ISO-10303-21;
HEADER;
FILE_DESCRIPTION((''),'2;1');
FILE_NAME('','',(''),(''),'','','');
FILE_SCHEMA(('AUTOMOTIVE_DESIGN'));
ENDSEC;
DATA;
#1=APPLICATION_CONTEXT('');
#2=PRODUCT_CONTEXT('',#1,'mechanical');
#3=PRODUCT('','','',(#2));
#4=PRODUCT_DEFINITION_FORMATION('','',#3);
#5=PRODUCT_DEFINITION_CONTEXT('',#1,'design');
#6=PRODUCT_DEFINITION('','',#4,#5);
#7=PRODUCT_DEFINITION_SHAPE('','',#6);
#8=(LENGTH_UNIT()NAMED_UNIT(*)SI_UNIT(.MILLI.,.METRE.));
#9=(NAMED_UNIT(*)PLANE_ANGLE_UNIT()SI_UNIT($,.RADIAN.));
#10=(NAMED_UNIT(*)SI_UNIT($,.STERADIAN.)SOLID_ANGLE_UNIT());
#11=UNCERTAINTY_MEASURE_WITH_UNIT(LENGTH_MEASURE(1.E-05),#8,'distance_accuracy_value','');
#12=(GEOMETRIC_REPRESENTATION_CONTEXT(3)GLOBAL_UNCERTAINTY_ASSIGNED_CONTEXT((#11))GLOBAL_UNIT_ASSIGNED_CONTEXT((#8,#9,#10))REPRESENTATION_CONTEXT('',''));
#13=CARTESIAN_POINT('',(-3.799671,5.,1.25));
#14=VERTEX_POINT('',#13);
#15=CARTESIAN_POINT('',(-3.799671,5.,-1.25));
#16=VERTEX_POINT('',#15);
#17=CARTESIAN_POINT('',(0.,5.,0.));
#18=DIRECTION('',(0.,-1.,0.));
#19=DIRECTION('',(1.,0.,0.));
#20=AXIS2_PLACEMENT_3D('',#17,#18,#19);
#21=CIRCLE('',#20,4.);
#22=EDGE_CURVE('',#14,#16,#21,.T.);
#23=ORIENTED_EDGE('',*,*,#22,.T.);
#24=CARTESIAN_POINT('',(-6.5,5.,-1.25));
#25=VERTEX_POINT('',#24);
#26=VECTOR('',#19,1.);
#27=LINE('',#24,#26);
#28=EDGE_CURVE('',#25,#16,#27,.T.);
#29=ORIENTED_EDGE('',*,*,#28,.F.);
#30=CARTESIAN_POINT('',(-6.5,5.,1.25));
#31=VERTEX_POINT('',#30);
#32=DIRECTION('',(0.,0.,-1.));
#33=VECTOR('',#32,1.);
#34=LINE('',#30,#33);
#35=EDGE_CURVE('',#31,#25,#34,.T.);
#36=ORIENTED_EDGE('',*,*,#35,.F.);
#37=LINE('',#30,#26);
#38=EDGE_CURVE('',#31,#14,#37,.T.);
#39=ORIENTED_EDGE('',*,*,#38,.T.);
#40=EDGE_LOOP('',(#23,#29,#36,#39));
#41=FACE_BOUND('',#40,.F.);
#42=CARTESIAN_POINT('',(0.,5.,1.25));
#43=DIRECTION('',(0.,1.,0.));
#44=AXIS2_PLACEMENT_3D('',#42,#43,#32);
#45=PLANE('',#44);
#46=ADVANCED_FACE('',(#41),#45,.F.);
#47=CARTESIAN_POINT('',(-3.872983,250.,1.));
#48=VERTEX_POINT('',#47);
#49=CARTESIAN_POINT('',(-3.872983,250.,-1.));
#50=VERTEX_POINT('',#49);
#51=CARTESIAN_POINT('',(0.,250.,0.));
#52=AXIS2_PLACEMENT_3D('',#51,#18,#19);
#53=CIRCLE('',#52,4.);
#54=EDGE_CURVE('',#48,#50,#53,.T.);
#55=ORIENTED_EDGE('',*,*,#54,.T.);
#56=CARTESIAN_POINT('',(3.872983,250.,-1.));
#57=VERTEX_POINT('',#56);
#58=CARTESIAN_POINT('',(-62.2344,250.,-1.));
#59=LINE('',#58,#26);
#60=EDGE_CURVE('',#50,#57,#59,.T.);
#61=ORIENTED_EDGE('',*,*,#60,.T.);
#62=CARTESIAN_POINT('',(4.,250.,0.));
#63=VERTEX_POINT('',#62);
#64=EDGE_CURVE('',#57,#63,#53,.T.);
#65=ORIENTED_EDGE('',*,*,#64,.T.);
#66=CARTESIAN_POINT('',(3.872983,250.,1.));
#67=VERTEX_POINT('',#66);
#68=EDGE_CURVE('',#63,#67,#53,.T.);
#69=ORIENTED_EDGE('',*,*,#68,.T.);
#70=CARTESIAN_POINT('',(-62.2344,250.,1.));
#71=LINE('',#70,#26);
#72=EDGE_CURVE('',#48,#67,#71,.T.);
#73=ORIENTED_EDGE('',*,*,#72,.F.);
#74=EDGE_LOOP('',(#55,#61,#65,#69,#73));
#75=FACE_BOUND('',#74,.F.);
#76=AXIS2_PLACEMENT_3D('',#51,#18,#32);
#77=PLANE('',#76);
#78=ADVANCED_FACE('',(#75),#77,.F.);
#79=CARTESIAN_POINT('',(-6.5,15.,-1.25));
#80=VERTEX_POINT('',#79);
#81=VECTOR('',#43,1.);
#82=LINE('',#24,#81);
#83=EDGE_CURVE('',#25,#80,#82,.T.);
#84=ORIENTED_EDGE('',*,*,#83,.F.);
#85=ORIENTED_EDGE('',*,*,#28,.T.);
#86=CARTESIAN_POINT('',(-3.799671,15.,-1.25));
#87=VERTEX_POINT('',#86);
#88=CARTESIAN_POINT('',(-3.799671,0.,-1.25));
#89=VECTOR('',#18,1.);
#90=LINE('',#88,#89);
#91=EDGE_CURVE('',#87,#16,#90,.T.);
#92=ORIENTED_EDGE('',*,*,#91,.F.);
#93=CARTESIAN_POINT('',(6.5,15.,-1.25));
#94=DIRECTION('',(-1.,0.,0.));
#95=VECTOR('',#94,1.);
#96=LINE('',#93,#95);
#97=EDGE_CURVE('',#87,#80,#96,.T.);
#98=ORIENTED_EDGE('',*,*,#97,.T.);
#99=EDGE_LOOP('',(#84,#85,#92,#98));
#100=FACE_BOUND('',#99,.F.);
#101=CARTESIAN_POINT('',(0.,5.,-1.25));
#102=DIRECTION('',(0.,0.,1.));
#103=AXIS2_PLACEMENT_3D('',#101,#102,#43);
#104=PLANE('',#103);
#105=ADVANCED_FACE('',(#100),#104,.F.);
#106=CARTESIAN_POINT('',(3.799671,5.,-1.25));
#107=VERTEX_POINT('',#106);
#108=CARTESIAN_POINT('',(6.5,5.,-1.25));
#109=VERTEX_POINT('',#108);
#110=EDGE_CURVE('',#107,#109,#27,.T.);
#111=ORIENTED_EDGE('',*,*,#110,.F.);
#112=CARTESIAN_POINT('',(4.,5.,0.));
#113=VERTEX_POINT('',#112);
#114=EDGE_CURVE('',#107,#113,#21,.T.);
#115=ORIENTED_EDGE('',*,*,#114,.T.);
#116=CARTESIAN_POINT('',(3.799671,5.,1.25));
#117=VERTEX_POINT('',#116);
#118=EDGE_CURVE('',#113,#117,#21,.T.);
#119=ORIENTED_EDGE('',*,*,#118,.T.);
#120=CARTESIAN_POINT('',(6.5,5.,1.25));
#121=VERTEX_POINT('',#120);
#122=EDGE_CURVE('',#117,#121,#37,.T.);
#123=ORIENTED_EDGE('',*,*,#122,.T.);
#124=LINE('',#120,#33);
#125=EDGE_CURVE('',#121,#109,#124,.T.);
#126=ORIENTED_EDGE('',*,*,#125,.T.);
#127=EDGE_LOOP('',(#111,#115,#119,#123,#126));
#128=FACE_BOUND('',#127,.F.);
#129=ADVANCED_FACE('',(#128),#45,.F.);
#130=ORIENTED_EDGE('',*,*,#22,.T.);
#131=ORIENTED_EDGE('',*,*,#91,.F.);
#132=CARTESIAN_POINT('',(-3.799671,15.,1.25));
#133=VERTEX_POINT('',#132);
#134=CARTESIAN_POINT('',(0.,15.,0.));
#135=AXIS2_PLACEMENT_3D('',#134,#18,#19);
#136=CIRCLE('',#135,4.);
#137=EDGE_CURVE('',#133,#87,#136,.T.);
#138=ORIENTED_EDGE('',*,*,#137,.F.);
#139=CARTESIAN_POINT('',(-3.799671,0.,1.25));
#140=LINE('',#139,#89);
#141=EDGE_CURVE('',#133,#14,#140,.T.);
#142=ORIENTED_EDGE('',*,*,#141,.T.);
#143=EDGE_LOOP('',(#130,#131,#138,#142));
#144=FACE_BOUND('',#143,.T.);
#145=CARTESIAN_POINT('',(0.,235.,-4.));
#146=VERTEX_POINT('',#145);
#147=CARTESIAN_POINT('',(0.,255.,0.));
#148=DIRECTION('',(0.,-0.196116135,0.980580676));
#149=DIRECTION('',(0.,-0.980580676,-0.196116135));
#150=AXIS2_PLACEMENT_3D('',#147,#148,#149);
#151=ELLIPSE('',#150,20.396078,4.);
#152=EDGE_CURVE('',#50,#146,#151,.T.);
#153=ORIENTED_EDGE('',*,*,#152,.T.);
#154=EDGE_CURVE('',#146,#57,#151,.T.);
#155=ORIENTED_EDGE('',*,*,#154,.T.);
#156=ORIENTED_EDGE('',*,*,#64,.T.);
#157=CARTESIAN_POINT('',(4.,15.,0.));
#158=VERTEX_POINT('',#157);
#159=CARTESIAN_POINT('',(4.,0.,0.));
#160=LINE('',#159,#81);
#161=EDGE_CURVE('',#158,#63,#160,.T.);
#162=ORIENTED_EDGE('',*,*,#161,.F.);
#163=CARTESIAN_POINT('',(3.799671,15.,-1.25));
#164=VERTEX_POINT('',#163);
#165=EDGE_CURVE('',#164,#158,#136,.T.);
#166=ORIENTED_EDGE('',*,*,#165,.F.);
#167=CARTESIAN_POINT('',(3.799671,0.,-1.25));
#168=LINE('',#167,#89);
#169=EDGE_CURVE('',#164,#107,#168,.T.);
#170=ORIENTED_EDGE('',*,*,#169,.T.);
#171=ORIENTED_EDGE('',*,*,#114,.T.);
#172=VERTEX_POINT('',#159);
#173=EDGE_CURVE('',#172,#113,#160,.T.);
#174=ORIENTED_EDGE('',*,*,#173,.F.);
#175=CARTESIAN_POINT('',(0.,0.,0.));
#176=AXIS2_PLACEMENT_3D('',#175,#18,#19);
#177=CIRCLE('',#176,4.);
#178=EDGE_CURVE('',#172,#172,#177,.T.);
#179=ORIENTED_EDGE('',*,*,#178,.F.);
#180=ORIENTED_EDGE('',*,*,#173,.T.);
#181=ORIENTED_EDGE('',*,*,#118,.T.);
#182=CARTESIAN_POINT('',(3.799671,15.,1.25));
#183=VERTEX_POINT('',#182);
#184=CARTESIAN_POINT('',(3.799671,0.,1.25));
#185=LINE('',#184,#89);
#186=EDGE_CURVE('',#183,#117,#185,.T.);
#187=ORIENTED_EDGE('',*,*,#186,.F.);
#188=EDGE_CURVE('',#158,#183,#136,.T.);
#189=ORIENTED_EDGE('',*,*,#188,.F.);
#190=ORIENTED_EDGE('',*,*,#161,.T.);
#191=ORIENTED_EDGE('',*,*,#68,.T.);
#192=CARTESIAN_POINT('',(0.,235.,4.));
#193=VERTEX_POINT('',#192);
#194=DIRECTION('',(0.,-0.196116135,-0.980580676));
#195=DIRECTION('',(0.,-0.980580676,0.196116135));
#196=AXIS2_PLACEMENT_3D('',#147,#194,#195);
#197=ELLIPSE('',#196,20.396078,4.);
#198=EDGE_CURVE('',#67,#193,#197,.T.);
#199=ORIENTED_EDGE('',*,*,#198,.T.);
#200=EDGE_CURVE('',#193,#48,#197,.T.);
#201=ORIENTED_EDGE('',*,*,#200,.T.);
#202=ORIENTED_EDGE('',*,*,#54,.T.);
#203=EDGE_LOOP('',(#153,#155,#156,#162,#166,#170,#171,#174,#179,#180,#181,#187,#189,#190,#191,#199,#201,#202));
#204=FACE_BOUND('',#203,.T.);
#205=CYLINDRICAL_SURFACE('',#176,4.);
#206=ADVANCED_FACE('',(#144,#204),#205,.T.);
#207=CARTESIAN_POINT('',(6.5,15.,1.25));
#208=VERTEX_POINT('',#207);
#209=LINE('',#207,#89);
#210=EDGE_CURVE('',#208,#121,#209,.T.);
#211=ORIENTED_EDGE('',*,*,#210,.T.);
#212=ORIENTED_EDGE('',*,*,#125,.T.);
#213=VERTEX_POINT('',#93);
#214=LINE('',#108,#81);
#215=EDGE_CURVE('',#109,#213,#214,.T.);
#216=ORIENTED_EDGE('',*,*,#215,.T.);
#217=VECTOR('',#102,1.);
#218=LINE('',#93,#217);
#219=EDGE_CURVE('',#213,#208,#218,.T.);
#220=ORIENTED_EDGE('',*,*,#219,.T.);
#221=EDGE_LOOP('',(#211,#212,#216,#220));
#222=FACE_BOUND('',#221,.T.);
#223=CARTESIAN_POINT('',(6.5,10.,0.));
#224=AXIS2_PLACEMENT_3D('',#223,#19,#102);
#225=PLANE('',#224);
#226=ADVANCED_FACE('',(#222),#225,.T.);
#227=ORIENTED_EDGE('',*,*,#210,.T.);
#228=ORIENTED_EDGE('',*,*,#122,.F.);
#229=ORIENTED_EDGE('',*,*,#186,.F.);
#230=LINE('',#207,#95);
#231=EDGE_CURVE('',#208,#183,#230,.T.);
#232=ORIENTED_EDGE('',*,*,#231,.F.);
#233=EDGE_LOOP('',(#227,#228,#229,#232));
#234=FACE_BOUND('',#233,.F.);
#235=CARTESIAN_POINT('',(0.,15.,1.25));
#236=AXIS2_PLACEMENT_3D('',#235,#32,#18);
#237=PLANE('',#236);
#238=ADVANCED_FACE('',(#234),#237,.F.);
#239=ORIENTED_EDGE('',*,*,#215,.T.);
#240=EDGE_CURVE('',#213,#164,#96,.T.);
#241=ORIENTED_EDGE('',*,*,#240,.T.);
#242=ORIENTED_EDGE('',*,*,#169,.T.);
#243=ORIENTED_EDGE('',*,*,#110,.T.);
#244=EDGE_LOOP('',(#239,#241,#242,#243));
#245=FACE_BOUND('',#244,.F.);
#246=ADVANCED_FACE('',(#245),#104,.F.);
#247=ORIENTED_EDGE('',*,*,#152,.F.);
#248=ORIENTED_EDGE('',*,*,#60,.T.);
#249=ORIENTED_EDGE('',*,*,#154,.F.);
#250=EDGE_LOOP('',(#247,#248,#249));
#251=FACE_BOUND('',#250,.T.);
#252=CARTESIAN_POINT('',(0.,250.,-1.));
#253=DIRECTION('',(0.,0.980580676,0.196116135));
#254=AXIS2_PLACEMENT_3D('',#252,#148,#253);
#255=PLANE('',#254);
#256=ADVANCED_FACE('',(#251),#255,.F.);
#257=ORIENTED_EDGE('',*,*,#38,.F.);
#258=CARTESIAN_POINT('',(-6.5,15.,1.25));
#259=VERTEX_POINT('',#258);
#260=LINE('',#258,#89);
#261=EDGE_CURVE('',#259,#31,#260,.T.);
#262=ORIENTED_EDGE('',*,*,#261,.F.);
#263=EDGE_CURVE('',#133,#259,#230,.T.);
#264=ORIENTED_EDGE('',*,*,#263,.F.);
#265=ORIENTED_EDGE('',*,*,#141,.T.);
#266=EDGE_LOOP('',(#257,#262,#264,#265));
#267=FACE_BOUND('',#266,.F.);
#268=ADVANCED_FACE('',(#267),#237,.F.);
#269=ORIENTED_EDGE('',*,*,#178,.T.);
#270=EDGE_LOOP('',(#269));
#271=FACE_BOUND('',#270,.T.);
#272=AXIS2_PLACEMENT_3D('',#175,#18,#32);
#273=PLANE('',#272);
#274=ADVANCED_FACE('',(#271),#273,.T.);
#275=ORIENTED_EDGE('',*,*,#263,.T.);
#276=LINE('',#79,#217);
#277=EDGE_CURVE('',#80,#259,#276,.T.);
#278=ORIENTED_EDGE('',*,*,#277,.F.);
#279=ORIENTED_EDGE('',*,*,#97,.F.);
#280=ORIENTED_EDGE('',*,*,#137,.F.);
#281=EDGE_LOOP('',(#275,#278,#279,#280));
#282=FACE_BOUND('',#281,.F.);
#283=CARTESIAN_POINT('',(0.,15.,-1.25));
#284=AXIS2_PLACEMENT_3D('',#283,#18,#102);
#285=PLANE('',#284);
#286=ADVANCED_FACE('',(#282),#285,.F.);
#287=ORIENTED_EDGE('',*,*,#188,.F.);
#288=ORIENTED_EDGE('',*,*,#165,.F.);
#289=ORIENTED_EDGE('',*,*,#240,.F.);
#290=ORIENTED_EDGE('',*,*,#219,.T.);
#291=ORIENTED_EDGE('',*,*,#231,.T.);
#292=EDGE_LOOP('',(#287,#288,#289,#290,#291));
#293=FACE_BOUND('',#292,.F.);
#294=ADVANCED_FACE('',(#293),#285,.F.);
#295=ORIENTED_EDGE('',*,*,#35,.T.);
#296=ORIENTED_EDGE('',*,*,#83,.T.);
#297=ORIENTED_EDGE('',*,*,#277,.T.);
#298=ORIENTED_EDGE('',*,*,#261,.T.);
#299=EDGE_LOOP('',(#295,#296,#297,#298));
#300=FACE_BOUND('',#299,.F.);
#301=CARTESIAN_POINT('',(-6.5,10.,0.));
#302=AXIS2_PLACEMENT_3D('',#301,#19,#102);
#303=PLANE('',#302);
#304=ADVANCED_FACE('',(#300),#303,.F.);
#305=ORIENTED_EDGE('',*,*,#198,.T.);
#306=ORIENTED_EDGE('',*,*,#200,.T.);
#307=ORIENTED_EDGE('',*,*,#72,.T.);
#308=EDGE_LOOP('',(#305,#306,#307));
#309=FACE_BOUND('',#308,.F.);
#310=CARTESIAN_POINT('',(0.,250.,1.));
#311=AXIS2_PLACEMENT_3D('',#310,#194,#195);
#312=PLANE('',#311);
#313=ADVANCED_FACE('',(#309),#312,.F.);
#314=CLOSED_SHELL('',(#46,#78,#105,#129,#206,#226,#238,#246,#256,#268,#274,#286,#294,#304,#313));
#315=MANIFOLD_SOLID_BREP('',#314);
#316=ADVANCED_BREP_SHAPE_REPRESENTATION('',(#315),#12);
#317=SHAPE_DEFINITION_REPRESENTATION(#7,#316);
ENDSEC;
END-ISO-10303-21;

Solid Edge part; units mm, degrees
sketch "Sketch1" plane through (0, 0, 0) normal (0, -1, 0) x (1, 0, 0)
  circle A0 centre (0, 0) radius 4
  dimension "D1" = 8
extrude "Protrusion1" add sketch "Sketch1" against normal blind 250
sketch "Sketch2" plane through (0, 0, 0) normal (1, 0, 0) x (0, 1, 0)
  line L0 (250, 1) -> (235, 4)
  line L1 (235, 4) -> (250, 4)
  line L2 (250, 4) -> (250, 1)
extrude "拉伸除料_1" cut sketch "Sketch2" along normal mid plane 124.4688
mirror "Mirror1" about plane through (0, 0, 0) normal (0, 0, 1) of "拉伸除料_1"
extrude "Protrusion2" [suppressed]
sketch "Sketch3" plane through (0, 0, 0) normal (1, 0, 0) x (0, 1, 0)
  line L0 (15, 1.25) -> (5, 1.25)
  line L1 (5, 1.25) -> (5, -1.25)
  line L2 (5, -1.25) -> (15, -1.25)
  line L3 (15, -1.25) -> (15, 1.25)
extrude "拉伸_5" add sketch "Sketch3" along normal mid plane 13
properties material "不锈钢 304"
